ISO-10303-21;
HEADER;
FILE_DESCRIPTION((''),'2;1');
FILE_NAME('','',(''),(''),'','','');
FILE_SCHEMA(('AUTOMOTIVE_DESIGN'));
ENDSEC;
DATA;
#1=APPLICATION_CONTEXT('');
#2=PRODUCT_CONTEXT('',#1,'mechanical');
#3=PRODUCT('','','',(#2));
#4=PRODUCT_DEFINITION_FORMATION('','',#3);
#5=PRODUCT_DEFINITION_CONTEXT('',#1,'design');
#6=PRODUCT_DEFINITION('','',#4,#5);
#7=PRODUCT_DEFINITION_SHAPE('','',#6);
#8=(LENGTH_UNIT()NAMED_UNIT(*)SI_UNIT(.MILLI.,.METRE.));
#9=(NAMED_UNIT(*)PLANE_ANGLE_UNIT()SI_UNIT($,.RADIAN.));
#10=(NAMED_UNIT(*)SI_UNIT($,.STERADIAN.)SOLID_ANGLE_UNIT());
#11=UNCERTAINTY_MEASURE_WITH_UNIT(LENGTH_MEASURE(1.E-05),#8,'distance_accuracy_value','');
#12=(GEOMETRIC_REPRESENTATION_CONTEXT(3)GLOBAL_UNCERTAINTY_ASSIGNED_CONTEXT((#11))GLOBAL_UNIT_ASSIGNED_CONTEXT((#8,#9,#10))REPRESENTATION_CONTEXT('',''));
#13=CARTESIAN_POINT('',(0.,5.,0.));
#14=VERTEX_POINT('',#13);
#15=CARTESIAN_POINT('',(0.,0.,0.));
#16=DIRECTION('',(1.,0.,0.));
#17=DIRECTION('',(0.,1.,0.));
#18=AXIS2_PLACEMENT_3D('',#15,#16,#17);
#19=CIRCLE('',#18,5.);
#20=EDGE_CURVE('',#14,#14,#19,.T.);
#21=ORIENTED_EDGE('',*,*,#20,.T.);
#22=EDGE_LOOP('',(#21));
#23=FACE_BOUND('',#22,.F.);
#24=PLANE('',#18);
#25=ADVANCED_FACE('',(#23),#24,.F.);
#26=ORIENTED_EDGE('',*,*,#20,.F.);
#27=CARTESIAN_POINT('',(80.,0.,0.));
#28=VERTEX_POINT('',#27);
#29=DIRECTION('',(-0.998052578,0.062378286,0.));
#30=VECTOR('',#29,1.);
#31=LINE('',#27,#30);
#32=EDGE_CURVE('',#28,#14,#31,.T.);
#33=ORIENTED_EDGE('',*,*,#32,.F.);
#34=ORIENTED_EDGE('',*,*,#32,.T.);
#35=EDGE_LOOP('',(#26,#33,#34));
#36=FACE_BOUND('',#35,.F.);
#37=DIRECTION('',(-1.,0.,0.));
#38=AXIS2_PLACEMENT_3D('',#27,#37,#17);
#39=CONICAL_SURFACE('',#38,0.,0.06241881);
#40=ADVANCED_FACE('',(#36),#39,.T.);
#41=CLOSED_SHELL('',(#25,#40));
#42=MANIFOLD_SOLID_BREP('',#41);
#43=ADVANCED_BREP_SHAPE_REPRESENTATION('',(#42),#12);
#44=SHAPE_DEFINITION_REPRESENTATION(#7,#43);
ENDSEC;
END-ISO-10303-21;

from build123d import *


with BuildPart() as f1:
    # F0 (on Top) → F1 (revolve)
    with BuildSketch(Plane.XY):
        Polygon((0, 5), (0, 0), (80, 0), align=None)
    revolve(axis=Axis((40, 0, 0), (1, 0, 0)))


solid = f1.part
